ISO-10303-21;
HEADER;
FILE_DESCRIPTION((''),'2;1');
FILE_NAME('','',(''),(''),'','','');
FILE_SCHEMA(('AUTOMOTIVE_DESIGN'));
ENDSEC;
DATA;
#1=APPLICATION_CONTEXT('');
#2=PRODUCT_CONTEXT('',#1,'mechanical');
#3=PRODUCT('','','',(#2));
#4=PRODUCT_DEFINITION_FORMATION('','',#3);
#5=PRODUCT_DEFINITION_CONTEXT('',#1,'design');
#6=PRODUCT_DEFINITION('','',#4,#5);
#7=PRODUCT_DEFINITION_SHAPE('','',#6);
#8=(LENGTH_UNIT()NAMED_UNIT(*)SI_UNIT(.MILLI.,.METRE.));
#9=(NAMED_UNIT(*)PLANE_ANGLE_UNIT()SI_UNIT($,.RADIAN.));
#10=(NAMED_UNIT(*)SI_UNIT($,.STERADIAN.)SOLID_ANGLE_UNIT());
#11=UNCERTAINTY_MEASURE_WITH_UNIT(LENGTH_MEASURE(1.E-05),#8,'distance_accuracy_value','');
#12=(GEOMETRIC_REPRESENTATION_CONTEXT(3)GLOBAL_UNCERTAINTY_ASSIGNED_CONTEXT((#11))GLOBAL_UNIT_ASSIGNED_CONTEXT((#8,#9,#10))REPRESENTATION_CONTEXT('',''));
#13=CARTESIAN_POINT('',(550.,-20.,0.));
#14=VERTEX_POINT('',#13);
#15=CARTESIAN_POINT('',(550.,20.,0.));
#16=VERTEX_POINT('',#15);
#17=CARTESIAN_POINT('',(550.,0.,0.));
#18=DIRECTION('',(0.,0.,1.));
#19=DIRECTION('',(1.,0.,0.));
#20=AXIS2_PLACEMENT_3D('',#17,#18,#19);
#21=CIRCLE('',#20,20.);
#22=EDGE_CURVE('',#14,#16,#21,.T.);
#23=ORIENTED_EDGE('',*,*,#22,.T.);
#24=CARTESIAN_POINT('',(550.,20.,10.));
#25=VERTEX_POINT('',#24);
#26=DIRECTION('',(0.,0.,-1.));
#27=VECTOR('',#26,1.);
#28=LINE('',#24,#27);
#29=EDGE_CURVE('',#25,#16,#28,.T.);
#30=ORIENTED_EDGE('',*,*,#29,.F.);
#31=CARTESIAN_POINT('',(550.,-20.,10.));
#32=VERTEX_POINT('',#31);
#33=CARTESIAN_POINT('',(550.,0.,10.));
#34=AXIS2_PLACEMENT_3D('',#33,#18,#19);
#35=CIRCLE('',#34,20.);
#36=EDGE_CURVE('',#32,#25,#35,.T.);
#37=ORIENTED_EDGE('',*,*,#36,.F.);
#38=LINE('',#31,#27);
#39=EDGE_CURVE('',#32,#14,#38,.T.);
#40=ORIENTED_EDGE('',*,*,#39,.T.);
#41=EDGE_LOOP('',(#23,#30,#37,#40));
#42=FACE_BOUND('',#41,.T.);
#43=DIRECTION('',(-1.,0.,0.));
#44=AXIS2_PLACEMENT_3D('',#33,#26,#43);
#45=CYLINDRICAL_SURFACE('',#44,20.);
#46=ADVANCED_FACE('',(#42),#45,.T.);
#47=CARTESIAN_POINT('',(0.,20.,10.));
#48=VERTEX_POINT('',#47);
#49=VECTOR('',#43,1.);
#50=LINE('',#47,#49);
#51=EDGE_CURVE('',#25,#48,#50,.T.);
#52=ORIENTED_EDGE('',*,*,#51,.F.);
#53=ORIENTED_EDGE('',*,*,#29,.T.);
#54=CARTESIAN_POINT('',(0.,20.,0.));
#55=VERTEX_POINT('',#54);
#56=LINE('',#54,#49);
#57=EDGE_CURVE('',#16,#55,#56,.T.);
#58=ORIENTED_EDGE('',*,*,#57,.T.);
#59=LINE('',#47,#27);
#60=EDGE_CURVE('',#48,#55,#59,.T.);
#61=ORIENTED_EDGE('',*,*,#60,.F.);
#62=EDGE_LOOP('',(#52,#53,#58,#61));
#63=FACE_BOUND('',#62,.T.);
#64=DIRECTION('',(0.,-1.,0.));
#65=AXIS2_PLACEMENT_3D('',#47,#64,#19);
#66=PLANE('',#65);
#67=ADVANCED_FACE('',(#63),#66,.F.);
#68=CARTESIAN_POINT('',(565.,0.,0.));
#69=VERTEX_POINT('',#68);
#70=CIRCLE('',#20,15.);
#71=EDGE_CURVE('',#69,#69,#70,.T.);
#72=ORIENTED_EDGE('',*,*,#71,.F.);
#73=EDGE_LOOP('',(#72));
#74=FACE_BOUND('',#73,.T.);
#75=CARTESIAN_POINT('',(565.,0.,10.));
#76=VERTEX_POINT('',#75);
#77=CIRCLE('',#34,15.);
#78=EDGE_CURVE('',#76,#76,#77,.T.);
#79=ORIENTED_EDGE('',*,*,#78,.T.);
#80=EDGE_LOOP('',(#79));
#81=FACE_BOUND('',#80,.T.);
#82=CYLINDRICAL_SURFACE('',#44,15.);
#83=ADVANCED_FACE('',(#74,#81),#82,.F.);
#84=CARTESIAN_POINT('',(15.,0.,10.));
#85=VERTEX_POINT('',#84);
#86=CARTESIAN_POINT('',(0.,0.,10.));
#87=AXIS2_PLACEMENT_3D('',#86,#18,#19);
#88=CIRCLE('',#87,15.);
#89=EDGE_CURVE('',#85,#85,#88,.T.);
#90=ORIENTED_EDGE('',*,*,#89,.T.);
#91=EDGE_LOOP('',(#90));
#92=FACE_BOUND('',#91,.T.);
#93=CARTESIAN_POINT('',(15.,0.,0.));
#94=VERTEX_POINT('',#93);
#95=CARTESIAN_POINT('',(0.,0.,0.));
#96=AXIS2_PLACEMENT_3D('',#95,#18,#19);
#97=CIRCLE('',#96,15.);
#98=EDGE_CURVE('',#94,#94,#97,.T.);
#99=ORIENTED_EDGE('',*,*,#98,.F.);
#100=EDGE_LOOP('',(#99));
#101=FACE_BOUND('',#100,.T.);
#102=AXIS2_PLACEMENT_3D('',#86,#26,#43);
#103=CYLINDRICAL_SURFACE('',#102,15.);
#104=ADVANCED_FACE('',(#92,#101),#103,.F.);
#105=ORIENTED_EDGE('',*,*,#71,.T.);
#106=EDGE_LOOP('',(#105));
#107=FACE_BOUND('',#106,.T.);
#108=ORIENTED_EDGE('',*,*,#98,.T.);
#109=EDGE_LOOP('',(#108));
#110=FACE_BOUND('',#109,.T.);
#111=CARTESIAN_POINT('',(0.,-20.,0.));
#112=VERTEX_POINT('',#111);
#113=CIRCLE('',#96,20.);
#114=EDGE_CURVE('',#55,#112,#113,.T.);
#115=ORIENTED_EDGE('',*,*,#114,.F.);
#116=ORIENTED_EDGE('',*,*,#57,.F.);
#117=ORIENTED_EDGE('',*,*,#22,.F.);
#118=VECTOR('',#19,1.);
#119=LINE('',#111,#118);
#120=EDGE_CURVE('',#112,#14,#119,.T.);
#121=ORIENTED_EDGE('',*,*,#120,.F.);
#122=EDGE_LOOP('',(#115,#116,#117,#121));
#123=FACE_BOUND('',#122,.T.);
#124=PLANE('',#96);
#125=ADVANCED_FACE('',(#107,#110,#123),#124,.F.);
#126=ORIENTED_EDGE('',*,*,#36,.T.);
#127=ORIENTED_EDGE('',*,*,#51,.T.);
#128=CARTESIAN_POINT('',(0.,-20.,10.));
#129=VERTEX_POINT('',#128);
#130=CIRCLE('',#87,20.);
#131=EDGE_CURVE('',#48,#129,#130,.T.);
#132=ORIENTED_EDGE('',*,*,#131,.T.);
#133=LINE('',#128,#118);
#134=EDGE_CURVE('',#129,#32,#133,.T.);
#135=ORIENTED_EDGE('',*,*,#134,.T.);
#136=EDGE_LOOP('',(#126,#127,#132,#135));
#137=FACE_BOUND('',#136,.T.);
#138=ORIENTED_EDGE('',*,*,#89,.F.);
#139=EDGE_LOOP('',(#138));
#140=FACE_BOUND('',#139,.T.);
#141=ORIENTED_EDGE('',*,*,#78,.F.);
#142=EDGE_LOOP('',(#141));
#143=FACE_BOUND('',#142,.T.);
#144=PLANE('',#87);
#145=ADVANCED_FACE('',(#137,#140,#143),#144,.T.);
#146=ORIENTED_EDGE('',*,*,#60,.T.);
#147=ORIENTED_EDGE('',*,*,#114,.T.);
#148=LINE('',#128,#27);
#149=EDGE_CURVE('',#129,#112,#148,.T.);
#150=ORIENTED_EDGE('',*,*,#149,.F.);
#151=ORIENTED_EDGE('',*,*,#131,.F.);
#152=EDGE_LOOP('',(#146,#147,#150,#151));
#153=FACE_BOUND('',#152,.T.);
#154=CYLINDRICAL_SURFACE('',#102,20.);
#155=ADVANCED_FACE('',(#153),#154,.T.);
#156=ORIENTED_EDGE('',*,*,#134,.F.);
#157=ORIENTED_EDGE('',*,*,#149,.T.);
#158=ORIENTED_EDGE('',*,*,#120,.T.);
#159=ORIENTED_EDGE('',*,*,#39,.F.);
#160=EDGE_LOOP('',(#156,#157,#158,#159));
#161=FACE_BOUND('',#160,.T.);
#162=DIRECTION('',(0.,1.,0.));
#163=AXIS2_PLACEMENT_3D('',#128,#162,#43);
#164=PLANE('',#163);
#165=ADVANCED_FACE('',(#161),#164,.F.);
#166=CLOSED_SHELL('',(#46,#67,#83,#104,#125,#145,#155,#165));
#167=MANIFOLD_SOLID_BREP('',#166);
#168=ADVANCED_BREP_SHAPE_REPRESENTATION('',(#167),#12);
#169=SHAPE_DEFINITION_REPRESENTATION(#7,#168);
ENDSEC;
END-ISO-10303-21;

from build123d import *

# Parameters (mm, degrees)
SKETCH_1_R      = 15
EXTRUDE_3_DEPTH = 10


with BuildPart() as part:
    # Эскиз1 → Бобышка-Вытянуть3 (new body)
    with BuildSketch(Plane.XY):
        with BuildLine():
            Line((0, 20), (550, 20))
            ThreePointArc((550, 20), (570, 0), (550, -20))
            Line((550, -20), (0, -20))
            ThreePointArc((0, -20), (-20, 0), (0, 20))
        make_face()
        Circle(SKETCH_1_R, mode=Mode.SUBTRACT)
        with Locations((550, 0)):
            Circle(SKETCH_1_R, mode=Mode.SUBTRACT)
    extrude(amount=EXTRUDE_3_DEPTH)


solid = part.part
